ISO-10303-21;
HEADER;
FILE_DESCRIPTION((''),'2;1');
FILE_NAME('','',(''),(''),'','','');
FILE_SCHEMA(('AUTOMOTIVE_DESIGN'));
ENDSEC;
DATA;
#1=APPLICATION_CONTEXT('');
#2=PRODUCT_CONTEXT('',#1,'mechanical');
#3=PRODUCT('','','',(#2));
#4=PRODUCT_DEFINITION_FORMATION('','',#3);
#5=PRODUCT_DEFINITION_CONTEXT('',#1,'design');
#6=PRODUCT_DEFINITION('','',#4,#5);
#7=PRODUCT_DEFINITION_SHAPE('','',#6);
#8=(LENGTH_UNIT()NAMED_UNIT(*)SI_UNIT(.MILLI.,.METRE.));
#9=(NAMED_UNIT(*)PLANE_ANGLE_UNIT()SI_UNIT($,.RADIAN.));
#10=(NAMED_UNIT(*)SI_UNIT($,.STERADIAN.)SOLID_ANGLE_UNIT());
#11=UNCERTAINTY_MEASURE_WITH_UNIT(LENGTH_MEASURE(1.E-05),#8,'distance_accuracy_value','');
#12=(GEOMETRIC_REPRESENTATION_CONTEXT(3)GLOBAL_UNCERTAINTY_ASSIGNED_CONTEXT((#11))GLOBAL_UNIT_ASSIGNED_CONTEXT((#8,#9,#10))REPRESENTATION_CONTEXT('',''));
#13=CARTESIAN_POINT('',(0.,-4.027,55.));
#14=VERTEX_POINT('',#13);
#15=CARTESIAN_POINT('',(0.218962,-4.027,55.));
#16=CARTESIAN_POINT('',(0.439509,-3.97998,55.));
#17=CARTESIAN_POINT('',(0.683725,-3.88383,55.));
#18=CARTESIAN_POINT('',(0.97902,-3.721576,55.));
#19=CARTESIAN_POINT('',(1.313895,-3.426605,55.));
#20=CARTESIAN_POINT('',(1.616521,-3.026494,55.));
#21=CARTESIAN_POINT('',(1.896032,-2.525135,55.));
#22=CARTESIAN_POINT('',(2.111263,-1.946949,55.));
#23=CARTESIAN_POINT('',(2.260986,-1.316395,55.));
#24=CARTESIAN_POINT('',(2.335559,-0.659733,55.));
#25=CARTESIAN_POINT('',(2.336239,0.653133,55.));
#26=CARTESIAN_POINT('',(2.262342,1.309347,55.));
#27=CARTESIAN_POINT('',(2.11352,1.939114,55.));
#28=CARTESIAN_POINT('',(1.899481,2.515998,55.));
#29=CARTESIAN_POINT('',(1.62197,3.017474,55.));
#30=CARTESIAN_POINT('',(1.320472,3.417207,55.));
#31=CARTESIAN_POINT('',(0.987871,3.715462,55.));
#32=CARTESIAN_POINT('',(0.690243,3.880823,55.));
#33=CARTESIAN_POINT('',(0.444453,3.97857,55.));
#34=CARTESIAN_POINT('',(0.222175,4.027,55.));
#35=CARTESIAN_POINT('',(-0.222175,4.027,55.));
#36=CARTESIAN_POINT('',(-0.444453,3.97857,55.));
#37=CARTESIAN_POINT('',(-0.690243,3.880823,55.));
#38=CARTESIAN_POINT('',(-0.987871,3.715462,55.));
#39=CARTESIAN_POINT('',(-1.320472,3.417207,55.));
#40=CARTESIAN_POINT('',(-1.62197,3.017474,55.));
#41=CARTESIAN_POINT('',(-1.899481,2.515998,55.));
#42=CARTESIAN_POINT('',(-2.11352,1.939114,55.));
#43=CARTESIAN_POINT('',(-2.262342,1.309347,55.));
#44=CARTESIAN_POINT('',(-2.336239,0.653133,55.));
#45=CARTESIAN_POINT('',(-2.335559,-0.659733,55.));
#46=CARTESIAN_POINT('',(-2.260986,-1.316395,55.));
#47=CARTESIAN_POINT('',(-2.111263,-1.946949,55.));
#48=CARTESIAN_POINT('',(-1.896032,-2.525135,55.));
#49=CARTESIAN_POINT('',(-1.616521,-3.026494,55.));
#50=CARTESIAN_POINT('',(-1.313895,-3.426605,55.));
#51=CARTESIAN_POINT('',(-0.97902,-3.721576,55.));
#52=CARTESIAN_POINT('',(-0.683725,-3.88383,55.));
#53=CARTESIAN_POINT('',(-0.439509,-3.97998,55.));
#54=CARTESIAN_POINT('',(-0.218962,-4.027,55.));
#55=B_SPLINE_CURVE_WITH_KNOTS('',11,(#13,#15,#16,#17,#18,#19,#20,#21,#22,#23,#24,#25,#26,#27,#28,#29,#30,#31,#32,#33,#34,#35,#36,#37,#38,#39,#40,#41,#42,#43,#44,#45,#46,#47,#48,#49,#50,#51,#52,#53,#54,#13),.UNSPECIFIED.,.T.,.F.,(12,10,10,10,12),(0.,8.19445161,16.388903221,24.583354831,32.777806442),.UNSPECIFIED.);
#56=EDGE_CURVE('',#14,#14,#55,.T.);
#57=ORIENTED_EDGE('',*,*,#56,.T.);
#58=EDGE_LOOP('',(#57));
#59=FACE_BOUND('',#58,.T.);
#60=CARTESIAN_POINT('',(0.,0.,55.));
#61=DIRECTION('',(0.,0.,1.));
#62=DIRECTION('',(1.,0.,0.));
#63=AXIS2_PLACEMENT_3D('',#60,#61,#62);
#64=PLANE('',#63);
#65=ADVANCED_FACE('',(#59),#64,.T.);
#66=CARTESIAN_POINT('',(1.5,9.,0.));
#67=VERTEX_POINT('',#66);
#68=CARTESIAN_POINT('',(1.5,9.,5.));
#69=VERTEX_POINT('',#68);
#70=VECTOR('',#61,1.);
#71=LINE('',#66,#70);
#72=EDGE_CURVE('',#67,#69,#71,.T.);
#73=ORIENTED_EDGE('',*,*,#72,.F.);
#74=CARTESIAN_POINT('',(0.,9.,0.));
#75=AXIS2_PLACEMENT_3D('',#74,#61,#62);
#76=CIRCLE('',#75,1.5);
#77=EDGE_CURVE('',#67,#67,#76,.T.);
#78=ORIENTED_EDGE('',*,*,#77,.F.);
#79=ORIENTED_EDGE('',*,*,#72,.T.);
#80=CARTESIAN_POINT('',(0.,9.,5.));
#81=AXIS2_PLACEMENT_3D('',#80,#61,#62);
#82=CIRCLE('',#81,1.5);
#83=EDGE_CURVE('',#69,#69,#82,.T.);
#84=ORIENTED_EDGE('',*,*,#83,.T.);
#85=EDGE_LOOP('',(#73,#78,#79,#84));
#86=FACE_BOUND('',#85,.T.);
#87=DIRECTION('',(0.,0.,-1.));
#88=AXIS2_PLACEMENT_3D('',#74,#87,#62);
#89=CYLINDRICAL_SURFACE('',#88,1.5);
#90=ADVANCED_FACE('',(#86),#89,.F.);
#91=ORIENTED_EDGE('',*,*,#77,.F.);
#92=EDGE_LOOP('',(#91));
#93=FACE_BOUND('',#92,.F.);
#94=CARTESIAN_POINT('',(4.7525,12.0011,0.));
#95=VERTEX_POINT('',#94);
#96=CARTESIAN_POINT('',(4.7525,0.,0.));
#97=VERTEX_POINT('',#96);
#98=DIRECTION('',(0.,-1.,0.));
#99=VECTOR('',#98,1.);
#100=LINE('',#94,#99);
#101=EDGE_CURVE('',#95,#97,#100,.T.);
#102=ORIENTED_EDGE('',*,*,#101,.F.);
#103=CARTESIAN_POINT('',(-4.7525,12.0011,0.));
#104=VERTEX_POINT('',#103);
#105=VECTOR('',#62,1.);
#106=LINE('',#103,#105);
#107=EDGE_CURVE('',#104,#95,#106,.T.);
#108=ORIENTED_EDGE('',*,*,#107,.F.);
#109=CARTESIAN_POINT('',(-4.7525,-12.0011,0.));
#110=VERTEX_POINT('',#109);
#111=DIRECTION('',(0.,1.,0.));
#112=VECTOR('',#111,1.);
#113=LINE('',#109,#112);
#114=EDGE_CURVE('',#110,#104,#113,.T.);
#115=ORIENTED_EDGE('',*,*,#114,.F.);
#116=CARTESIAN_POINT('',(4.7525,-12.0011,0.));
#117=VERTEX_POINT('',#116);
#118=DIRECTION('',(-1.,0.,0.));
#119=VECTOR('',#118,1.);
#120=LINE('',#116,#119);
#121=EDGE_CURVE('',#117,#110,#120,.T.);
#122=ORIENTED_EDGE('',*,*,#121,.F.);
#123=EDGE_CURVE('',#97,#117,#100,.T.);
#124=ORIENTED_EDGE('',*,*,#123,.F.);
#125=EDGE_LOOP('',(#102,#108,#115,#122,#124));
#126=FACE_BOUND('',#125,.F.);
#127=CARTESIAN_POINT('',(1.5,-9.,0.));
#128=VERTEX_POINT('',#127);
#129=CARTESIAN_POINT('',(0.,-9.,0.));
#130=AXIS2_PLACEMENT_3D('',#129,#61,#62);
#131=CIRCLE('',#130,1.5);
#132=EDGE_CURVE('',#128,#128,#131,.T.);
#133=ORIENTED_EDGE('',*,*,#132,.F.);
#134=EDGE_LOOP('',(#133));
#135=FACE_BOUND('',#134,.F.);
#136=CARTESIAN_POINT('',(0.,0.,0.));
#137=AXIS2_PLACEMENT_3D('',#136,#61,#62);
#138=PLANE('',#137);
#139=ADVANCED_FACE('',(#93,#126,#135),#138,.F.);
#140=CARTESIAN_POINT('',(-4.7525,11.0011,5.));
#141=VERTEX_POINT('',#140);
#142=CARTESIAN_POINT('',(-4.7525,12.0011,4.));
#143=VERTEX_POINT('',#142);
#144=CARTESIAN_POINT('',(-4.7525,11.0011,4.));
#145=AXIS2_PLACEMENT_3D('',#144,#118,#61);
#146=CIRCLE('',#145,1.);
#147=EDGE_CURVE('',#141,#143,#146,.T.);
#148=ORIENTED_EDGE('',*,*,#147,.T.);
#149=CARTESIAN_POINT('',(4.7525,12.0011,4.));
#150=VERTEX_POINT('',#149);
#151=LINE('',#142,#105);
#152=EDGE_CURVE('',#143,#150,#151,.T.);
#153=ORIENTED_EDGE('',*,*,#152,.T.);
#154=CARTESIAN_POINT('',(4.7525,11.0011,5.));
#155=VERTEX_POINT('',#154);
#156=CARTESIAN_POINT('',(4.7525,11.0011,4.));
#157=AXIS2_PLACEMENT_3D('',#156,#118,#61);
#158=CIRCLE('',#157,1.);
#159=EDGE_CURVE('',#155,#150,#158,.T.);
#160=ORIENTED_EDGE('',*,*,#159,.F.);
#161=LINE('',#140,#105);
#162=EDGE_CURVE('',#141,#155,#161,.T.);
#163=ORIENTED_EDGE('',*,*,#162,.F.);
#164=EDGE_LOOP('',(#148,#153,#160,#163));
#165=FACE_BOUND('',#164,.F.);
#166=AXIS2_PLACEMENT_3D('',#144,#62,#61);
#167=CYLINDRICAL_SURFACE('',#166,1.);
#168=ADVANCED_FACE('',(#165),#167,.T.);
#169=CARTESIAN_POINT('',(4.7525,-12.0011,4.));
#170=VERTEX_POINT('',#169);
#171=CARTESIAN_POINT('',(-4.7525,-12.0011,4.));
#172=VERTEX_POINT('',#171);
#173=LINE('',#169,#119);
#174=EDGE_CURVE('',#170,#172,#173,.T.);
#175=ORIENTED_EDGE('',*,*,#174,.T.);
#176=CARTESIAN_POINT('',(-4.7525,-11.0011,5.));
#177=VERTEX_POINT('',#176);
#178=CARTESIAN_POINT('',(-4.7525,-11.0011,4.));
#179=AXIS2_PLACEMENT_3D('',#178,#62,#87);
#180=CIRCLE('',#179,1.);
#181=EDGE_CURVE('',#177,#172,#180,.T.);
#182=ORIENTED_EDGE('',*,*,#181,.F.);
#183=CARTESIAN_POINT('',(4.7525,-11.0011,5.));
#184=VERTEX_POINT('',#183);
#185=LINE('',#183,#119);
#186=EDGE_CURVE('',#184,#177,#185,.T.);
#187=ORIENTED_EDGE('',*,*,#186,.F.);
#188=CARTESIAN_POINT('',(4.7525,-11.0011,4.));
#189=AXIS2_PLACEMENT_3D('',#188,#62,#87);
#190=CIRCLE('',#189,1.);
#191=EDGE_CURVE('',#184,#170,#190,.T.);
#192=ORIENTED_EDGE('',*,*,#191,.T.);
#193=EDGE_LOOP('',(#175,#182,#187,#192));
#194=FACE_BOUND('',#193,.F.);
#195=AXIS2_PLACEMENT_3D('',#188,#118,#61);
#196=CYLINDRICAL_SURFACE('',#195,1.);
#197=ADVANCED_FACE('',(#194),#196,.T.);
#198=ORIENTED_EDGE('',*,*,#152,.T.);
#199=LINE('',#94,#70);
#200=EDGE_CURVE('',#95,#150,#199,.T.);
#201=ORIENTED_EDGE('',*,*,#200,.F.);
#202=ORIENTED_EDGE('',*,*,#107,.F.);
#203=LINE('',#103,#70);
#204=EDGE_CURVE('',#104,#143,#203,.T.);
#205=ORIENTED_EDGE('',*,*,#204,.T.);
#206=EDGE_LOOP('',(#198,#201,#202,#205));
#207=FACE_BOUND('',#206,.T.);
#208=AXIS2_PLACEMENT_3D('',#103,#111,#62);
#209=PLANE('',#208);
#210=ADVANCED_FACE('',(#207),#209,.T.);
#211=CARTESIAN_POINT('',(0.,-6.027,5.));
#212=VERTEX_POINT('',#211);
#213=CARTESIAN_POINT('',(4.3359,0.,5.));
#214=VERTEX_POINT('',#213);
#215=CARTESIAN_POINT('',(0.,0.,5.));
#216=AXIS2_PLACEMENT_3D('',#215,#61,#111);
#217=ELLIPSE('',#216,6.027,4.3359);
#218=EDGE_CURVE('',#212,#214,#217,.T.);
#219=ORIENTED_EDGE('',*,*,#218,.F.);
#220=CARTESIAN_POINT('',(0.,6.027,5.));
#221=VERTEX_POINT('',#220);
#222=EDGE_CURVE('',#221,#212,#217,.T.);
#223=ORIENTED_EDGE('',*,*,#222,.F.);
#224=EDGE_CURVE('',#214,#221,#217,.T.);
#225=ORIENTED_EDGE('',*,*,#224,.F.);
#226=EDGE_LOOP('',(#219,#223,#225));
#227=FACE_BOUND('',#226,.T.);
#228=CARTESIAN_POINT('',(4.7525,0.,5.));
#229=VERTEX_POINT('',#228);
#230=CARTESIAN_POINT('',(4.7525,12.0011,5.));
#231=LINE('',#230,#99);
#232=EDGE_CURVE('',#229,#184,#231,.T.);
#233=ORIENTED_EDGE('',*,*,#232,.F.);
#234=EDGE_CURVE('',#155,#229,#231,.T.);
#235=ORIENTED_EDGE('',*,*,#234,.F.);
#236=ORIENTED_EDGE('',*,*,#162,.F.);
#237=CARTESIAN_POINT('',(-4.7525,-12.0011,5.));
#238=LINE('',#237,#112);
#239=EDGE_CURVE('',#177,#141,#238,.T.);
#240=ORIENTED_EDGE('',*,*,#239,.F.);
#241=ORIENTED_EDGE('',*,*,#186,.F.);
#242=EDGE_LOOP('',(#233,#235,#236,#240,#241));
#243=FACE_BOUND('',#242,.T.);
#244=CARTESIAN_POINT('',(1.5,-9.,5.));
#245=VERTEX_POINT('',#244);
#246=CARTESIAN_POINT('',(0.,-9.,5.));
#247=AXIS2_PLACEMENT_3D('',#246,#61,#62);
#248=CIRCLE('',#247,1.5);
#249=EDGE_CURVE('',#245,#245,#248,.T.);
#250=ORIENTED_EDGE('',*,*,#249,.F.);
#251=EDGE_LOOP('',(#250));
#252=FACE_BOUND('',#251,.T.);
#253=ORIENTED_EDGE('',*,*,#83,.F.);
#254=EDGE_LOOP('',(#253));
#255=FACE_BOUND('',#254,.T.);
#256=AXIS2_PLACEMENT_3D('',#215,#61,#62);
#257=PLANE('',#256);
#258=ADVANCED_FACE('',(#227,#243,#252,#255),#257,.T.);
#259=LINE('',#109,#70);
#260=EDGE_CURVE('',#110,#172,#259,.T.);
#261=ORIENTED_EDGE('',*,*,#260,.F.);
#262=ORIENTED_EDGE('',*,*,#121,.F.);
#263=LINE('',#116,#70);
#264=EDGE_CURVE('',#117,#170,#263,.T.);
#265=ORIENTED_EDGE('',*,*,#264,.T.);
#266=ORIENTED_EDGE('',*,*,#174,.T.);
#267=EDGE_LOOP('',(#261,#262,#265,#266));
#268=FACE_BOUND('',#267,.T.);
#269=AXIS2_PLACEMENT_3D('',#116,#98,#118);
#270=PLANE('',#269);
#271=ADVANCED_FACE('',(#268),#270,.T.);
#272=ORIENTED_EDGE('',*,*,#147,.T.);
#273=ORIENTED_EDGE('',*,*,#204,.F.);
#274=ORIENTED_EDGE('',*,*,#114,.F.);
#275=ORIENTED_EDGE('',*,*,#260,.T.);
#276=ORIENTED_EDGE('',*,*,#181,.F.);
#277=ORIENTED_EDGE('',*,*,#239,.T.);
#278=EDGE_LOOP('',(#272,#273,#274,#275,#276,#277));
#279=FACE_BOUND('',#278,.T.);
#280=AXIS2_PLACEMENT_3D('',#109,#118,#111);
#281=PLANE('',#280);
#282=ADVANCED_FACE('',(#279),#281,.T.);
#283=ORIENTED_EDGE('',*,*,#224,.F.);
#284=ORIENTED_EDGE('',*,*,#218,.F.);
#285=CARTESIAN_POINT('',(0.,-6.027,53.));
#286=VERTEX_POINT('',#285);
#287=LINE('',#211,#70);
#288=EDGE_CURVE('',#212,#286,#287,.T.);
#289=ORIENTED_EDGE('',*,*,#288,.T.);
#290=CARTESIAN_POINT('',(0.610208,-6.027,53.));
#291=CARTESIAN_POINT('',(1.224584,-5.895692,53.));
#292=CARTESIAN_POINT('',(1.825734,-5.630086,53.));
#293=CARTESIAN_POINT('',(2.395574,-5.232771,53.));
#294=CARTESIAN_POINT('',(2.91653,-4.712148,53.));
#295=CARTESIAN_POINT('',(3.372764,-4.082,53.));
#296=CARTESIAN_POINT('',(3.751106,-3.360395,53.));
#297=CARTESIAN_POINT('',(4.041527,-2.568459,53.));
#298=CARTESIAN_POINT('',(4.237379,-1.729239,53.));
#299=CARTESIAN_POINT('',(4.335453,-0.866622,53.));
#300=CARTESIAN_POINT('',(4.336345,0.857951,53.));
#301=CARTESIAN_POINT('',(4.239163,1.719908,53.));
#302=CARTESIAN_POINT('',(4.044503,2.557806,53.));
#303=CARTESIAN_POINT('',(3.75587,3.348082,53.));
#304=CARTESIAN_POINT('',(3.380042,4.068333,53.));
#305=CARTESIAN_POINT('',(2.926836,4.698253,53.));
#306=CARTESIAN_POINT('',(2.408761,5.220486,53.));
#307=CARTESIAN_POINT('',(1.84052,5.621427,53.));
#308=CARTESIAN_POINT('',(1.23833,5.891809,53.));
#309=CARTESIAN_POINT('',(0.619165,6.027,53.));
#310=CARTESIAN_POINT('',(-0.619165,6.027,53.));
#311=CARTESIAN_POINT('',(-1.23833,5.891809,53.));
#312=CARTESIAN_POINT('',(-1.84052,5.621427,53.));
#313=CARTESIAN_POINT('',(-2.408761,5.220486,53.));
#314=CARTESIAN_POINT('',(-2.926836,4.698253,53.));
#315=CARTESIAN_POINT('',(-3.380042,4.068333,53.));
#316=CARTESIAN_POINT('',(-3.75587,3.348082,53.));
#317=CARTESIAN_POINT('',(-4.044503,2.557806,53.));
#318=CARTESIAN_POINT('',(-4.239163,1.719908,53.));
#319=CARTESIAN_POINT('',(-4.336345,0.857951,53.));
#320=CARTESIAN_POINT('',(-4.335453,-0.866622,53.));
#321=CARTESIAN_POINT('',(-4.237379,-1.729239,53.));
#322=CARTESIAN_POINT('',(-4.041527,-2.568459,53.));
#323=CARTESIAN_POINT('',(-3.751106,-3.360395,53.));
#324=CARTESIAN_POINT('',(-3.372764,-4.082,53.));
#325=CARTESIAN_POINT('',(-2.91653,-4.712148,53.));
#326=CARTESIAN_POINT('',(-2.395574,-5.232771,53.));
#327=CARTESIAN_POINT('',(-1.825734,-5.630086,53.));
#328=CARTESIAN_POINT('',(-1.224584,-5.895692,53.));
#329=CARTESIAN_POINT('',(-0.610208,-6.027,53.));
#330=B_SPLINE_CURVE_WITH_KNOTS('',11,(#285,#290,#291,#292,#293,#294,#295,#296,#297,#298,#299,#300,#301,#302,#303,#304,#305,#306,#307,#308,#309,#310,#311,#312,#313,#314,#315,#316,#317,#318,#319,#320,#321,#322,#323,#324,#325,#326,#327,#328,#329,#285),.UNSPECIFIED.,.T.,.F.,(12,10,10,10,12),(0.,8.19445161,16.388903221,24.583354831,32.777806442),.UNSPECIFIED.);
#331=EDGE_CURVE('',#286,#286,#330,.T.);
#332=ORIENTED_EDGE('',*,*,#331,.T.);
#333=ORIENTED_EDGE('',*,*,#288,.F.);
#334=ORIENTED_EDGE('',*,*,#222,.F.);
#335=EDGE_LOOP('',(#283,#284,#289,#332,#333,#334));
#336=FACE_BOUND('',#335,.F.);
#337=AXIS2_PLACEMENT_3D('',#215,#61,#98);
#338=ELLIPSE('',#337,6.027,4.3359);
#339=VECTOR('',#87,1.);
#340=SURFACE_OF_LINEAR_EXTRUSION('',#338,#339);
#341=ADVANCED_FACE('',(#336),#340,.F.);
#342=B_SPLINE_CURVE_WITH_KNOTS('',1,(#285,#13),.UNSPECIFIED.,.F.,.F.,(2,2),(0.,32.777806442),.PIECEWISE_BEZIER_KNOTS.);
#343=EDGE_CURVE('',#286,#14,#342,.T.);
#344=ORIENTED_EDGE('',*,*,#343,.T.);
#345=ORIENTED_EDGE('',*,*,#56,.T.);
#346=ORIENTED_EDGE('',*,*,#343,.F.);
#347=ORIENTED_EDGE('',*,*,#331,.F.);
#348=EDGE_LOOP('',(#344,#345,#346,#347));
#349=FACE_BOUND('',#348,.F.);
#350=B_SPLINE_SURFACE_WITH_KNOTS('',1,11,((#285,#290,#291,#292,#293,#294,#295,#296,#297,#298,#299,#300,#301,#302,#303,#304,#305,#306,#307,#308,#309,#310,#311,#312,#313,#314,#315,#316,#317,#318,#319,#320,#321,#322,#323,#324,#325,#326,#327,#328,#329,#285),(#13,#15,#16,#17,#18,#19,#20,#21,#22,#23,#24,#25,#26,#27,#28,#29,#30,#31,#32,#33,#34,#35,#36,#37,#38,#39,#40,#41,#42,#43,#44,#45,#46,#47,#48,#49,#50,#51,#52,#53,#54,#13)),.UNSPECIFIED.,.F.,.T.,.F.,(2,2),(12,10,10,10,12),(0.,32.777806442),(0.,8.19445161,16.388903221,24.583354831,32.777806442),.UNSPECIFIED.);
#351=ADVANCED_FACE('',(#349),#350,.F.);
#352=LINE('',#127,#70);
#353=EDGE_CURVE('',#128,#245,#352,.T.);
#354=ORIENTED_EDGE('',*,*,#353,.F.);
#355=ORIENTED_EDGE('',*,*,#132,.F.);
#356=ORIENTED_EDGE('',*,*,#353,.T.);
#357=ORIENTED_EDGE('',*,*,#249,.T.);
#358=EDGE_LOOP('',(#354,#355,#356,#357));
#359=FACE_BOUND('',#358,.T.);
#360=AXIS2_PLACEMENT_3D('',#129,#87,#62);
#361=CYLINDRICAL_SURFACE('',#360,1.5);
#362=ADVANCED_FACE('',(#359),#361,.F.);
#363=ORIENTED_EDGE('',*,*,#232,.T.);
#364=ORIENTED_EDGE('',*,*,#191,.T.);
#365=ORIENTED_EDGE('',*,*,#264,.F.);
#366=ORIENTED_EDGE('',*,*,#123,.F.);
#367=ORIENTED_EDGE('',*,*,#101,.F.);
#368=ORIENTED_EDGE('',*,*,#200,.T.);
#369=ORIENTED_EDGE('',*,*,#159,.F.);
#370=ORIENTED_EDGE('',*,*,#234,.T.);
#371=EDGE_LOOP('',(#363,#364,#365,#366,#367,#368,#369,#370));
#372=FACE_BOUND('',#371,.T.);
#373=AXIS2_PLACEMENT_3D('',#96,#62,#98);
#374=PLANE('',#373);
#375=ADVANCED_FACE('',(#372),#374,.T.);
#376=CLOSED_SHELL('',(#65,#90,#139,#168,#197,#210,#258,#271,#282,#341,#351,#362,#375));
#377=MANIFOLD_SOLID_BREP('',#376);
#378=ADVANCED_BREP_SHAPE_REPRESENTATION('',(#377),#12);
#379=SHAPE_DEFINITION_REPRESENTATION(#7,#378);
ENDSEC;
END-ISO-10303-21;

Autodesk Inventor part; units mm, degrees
ref_plane "YZ Plane" through (0, 0, 0) normal (1, 0, 0) x (0, 1, 0)
ref_plane "XZ Plane" through (0, 0, 0) normal (0, 1, 0) x (-1, 0, 0)
ref_plane "XY Plane" through (0, 0, 0) normal (0, 0, 1) x (1, 0, 0)
sketch "Sketch1" plane through (0, 0, 0) normal (0, 0, 1) x (1, 0, 0)
  line L0 (0, 0) -> (8.5363, 0)
  circle A0 centre (0, 9) radius 1.5
  circle A1 centre (0, -9) radius 1.5
  line L1 (-4.7525, 12.0011) -> (4.7525, 12.0011)
  line L2 (4.7525, 12.0011) -> (4.7525, -12.0011)
  line L3 (4.7525, -12.0011) -> (-4.7525, -12.0011)
  line L4 (-4.7525, -12.0011) -> (-4.7525, 12.0011)
  ellipse E0 centre (0, 0) end of major axis (0, 6.027) minor radius 4.3359
  ellipse E1 centre (-34.059, -8.6397) end of major axis (-34.059, -4.9131) minor radius 2.5528
  ellipse E2 centre (-34.1113, -8.6921) end of major axis (-34.1113, -2.6651) minor radius 4.3359
  point P0 (0, 12.0011)
  point P1 (0, -12.0011)
  point P2 (-4.7525, 0)
  point P3 (4.7525, 0)
extrude "Extrusion1" add sketch "Sketch1" along normal blind 5 contours L2 L3 L4 L1
sketch "Sketch2" plane through (0, 0, 5) normal (0, 0, 1) x (1, 0, 0)
  point P0 (0, 0)
sketch "Sketch3" plane through (0, 0, 5) normal (0, 0, 1) x (1, 0, 0)
  ellipse E0 centre (0, 0) end of major axis (0, -6.027) minor radius 4.3359 projected
extrude "Extrusion2" add sketch "Sketch3" along normal blind 50 and the other way blind 5
chamfer "Chamfer1" distance 2 angle 45 1 edges at (0, 6.027, 55)
fillet "Fillet1" radius 1 1 edges at (0, 12.0011, 5)
fillet "Fillet2" radius 1 1 edges at (0, -12.0011, 5)
properties part number "apoioP"
